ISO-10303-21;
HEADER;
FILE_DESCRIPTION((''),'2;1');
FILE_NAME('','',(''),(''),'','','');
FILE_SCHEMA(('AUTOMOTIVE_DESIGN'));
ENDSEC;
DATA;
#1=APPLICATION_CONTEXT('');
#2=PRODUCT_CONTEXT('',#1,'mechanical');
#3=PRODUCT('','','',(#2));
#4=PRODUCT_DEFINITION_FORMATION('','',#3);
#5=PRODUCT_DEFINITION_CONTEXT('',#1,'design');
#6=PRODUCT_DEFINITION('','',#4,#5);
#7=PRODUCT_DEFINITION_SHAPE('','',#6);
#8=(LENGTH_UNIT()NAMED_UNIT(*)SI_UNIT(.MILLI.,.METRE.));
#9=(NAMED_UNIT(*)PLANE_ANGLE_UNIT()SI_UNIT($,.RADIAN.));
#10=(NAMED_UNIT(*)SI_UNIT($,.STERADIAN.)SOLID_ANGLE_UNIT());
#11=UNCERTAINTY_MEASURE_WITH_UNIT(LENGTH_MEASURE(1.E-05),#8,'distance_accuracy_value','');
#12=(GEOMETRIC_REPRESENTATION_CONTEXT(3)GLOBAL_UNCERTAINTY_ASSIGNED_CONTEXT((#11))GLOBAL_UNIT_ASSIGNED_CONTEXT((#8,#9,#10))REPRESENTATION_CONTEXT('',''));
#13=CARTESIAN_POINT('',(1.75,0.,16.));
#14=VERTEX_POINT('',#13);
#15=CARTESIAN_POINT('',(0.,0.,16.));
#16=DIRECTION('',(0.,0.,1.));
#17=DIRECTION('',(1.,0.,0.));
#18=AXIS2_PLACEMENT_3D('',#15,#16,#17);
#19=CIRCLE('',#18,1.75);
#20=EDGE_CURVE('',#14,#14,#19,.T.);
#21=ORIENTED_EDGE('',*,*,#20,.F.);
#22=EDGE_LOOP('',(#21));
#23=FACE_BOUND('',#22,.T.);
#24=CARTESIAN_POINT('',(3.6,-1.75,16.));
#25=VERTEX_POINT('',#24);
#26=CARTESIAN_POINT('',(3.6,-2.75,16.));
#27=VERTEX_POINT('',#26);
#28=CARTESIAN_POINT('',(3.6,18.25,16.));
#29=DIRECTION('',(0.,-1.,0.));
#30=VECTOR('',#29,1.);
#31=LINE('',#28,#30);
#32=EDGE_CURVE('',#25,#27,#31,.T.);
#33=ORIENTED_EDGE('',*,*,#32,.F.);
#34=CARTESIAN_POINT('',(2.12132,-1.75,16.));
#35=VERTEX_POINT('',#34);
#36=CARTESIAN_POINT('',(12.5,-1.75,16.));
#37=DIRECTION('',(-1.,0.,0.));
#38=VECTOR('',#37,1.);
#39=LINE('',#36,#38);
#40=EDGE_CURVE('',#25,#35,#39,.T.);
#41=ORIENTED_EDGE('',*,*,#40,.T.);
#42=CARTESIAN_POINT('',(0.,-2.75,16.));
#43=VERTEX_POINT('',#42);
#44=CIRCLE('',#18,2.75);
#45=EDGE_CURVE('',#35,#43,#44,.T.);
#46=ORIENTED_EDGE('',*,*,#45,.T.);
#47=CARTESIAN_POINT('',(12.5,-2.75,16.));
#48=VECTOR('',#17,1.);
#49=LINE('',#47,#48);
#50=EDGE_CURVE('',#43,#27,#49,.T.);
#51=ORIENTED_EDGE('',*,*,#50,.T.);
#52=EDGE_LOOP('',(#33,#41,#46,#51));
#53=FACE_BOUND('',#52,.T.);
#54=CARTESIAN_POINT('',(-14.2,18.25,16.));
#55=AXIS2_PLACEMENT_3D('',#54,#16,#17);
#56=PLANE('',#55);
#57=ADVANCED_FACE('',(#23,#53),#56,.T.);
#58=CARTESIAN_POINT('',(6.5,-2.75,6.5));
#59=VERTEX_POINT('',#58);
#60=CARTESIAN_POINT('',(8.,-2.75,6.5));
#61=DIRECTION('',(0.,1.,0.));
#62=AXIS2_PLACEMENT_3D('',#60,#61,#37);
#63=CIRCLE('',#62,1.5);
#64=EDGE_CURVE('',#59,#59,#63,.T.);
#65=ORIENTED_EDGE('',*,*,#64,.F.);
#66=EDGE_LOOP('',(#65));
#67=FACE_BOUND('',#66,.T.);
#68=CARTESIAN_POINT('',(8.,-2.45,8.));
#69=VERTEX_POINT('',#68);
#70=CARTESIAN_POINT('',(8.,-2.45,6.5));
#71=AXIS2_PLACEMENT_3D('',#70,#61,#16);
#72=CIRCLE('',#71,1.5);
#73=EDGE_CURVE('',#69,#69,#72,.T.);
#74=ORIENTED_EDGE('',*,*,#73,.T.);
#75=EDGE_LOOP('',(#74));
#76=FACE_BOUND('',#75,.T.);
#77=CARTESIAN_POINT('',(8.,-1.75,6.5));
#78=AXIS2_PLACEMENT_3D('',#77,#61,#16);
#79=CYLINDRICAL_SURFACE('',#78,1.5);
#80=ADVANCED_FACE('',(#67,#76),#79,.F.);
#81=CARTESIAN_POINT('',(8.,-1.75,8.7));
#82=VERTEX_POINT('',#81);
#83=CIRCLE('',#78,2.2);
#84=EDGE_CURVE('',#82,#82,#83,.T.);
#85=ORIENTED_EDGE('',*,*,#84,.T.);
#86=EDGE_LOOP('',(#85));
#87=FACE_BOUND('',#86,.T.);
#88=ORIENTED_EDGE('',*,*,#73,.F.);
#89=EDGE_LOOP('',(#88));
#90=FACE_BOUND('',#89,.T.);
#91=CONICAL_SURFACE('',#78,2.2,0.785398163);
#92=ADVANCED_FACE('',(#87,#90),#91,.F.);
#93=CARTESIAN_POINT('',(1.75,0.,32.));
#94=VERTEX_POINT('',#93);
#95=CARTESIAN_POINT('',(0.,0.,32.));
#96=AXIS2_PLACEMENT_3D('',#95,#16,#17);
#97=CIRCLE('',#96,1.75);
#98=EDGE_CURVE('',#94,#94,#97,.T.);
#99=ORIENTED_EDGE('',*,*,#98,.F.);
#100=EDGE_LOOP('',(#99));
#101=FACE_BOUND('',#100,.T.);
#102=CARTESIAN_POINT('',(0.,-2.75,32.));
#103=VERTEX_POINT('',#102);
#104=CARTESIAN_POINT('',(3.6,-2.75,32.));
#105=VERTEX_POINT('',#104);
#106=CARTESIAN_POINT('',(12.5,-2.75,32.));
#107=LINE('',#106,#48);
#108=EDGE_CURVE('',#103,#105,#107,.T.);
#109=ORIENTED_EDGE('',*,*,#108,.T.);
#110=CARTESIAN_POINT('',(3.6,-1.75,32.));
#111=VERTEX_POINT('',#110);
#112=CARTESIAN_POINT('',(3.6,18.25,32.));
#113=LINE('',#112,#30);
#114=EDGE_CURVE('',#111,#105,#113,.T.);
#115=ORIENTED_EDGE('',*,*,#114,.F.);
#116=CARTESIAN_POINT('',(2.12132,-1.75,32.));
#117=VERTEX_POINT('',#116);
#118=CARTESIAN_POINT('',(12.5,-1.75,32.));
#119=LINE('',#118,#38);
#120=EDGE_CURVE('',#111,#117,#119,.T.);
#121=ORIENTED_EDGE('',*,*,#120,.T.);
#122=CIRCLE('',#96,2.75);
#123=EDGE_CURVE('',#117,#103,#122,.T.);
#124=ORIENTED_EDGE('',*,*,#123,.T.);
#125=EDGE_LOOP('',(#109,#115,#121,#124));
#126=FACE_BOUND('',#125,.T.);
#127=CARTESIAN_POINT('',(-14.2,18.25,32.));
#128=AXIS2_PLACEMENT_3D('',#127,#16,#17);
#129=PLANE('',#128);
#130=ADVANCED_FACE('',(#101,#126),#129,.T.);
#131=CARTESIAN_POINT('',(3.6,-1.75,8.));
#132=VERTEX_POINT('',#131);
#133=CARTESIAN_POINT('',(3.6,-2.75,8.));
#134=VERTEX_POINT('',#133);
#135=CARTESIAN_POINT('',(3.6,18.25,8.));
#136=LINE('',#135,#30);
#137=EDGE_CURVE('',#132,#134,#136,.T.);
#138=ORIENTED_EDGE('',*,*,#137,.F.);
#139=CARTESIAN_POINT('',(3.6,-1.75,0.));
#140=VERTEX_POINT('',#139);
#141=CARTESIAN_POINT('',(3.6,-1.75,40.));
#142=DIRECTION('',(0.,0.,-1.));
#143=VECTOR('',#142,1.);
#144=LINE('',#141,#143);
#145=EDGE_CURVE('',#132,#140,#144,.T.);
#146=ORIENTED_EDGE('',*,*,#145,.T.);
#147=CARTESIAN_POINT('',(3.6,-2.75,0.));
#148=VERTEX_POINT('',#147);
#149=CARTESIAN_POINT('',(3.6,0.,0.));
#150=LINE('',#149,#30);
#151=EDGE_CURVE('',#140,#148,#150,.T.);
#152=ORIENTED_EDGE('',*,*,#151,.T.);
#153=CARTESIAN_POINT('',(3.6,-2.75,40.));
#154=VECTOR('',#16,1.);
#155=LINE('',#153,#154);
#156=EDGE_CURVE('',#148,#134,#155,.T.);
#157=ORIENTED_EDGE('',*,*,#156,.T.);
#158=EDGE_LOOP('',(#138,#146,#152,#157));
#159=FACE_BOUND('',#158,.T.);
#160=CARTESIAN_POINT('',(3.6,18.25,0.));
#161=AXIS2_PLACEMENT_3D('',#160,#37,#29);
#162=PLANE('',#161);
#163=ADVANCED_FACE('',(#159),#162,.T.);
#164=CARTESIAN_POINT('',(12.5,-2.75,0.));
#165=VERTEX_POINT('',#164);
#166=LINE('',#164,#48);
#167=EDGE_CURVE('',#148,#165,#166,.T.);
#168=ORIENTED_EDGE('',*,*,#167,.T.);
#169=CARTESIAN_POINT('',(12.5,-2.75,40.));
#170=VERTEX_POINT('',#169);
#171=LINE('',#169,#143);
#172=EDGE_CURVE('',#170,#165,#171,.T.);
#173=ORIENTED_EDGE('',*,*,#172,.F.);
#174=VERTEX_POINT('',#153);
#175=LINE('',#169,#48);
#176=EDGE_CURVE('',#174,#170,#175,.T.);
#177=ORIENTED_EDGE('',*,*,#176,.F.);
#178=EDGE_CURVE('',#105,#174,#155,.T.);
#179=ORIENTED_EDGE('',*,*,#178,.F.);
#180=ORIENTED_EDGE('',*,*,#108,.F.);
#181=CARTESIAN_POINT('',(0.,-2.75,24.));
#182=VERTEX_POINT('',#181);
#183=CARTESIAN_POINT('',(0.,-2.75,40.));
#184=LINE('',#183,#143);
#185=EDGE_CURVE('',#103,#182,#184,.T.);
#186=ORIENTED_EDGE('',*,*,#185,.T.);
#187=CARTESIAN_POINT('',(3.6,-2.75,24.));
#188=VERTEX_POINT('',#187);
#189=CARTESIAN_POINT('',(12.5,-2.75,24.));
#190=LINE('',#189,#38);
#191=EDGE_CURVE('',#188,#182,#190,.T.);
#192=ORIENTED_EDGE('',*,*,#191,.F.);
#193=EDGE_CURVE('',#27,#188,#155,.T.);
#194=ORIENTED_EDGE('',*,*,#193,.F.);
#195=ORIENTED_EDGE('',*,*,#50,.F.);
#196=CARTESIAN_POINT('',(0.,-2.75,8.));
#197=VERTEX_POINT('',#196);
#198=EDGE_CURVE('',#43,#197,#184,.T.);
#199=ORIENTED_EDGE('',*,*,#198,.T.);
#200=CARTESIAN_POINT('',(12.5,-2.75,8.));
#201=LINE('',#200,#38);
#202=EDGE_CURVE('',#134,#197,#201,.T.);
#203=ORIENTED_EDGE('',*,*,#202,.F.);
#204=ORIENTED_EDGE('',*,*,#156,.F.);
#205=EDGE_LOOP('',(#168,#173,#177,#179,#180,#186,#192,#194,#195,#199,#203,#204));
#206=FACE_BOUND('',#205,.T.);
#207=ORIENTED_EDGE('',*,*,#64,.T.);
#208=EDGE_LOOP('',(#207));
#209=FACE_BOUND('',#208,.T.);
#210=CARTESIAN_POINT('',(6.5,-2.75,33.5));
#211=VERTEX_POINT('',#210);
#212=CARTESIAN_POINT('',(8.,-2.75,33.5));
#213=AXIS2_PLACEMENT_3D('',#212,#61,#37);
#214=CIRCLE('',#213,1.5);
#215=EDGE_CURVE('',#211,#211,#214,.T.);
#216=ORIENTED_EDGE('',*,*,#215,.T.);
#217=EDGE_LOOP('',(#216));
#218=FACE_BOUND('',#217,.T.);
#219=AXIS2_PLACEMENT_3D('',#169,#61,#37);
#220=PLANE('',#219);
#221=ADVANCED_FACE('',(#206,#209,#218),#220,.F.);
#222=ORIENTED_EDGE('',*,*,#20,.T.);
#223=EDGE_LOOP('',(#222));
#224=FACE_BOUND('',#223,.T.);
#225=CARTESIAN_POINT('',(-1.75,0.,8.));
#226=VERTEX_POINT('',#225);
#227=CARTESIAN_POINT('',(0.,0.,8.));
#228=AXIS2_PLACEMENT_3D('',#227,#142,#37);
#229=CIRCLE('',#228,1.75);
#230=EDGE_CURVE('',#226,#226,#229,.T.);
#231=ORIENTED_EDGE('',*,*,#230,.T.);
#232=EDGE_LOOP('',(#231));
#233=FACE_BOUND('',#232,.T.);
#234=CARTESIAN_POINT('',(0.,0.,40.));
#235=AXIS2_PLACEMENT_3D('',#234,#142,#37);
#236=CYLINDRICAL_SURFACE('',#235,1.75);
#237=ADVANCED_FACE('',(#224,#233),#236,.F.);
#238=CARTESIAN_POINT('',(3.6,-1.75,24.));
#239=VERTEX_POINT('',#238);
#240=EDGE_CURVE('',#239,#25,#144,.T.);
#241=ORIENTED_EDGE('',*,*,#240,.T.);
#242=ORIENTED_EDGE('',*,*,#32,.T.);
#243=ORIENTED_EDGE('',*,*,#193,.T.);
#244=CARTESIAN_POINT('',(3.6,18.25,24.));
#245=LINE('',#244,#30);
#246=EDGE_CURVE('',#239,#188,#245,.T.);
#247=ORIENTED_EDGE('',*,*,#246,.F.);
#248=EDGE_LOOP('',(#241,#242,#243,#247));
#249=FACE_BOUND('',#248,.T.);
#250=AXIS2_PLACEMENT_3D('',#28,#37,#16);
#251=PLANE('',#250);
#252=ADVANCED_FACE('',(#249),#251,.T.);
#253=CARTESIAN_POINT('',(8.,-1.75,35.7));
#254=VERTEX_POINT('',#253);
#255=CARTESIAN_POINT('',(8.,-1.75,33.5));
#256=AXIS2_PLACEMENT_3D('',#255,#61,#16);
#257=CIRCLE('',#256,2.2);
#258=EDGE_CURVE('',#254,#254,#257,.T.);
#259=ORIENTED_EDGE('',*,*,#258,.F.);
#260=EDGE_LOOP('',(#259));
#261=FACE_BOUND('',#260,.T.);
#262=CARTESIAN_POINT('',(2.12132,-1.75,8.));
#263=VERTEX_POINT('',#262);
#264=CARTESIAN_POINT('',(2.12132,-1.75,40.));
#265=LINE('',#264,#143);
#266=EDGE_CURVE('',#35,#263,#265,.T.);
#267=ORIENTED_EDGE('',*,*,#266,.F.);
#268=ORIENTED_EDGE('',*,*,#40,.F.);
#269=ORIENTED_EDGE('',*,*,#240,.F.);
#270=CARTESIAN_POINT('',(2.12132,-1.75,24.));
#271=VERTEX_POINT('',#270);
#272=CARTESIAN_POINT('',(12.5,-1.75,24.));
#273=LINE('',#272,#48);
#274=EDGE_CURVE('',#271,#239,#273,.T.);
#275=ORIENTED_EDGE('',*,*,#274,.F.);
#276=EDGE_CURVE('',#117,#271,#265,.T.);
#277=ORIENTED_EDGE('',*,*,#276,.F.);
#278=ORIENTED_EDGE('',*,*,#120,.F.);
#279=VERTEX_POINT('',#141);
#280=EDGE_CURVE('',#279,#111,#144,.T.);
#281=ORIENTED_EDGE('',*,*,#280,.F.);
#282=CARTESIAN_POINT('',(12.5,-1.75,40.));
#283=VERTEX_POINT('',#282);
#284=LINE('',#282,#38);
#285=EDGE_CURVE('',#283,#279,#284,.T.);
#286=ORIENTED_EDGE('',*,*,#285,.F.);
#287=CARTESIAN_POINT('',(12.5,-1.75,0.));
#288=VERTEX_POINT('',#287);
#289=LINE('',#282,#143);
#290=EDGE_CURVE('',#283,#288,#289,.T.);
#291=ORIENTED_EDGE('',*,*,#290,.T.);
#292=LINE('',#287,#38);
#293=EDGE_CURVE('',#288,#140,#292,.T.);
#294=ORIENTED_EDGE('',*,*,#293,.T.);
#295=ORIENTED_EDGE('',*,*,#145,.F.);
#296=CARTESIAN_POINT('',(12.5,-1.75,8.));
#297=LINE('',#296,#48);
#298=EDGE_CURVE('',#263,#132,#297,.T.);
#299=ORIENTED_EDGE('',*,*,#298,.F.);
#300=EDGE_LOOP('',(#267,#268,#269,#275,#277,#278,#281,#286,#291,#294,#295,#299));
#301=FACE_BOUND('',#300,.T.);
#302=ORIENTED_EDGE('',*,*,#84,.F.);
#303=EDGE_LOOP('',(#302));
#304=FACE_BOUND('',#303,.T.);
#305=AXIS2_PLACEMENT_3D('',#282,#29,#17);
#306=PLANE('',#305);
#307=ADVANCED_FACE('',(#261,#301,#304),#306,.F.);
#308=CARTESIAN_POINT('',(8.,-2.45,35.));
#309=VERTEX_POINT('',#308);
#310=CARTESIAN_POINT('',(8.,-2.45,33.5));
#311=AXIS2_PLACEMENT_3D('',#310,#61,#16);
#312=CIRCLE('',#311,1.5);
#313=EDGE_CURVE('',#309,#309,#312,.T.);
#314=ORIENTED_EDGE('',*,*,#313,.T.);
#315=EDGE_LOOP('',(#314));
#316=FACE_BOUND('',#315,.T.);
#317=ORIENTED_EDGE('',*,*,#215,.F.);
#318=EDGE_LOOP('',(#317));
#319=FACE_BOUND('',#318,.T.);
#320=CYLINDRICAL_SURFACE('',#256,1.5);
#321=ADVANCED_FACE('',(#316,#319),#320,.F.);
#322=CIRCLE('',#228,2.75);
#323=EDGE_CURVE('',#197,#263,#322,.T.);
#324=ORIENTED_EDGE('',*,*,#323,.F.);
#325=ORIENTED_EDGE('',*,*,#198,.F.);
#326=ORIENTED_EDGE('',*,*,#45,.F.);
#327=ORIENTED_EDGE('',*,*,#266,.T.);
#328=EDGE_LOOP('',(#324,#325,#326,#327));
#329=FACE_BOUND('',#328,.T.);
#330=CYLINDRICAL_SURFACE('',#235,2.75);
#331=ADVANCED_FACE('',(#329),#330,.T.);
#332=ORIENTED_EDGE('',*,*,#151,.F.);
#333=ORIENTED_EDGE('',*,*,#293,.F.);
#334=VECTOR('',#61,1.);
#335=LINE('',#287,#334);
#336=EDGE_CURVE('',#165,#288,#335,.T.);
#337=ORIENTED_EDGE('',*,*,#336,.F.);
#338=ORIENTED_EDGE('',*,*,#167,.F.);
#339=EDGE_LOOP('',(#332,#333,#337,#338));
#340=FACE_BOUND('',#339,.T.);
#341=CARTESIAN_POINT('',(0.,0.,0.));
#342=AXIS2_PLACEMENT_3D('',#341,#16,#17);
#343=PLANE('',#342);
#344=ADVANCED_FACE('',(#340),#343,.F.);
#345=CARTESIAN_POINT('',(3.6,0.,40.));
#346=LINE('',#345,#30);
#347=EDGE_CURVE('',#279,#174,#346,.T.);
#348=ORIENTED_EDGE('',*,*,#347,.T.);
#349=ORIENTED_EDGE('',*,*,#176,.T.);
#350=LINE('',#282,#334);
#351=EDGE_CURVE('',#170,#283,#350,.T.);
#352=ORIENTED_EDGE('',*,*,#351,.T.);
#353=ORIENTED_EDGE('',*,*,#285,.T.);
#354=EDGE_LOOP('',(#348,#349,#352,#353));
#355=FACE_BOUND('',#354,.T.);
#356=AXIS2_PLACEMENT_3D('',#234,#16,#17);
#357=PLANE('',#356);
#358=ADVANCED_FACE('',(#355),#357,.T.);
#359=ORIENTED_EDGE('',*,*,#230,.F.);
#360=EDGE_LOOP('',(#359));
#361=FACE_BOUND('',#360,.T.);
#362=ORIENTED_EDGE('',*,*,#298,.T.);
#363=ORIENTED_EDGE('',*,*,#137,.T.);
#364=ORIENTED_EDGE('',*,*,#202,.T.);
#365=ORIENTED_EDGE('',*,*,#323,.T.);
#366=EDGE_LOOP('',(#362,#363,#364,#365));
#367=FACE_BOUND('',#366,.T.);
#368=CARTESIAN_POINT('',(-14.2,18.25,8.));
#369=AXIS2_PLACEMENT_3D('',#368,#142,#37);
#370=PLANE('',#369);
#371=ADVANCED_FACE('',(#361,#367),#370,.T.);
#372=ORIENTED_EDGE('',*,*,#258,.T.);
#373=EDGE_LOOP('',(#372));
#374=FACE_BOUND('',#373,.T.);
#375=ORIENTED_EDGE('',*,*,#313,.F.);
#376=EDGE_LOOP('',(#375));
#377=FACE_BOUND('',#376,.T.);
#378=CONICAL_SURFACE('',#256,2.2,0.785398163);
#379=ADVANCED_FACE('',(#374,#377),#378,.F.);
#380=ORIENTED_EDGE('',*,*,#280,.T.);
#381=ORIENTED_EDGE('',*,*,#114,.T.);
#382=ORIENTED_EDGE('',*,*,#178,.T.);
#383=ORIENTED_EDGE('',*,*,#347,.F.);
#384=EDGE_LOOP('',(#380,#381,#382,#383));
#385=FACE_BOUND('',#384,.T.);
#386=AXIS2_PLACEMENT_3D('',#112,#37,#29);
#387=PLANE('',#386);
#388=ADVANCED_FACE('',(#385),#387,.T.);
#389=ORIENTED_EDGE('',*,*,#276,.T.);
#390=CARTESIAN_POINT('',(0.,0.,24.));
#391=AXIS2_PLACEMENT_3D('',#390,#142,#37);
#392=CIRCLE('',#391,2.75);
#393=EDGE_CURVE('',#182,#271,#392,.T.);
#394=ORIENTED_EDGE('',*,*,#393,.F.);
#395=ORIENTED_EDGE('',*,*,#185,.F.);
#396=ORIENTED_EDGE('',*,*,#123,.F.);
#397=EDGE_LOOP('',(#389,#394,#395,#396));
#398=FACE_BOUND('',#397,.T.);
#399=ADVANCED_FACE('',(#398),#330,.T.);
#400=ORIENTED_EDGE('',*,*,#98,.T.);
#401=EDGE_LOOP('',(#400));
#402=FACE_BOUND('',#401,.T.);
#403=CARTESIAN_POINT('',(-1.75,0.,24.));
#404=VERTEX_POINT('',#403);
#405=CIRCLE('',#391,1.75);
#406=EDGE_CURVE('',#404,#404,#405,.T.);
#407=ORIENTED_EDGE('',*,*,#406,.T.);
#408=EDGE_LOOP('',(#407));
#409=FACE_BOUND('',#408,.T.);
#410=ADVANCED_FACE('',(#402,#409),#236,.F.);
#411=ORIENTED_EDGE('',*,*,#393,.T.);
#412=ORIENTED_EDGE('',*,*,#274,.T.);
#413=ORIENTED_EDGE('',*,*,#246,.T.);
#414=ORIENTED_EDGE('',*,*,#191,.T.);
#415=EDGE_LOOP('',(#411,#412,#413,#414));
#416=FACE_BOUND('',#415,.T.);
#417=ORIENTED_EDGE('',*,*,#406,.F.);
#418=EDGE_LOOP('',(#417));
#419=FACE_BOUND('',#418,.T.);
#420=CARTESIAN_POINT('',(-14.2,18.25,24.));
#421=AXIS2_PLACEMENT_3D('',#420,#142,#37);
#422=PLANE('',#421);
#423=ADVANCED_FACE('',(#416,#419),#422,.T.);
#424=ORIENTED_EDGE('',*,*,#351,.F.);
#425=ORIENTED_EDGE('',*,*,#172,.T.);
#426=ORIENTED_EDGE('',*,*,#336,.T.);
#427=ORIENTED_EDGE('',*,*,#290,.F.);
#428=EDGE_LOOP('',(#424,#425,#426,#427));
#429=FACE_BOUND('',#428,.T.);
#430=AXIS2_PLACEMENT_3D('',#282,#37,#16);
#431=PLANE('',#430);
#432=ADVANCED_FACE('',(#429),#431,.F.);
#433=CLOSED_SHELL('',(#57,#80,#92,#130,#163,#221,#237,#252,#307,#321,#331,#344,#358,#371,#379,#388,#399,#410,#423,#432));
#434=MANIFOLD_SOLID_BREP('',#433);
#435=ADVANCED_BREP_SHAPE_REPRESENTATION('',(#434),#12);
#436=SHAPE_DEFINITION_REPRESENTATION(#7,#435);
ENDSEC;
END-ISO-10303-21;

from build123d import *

# Parameters (mm, degrees)
ESQUISSE1_R                  = 1.75
BOSS_EXTRU_1_DEPTH           = 40
ENL_V_MAT_EXTRU_3_DEPTH      = 20
ENL_V_MAT_EXTRU_3_DEPTH_BACK = 20
ESQUISSE2_W                  = 17.8
ESQUISSE2_H                  = 8
D_GAGEMENT_M31_D             = 3
D_GAGEMENT_M31_DEPTH         = 10
D_GAGEMENT_M31_CSINK_D       = 4.4
D_GAGEMENT_M31_CSINK_ANGLE   = 90
D_GAGEMENT_M31_TIP           = 0.901290929


with BuildPart() as part:
    # Esquisse1 → Boss.-Extru.1 (new body)
    with BuildSketch(Plane.XY):
        with BuildLine():
            Line((12.5, -1.75), (2.121320344, -1.75))
            ThreePointArc((2.121320344, -1.75), (-1.17260394, 2.487468593), (0, -2.75))
            Line((0, -2.75), (12.5, -2.75))
            Line((12.5, -2.75), (12.5, -1.75))
        make_face()
        Circle(ESQUISSE1_R, mode=Mode.SUBTRACT)
    extrude(amount=BOSS_EXTRU_1_DEPTH)

    # Esquisse2 → Enlèv. mat.-Extru.3 (cut, two sides: drawn at the far end of the back side and taken through both)
    with BuildSketch(Plane(origin=(0, -1.75, 0), x_dir=(1, 0, 0), z_dir=(0, 1, 0)).offset(-ENL_V_MAT_EXTRU_3_DEPTH_BACK)):
        with Locations((-5.3, -20)):
            Rectangle(ESQUISSE2_W, ESQUISSE2_H)
        with Locations((-5.3, -36)):
            Rectangle(ESQUISSE2_W, ESQUISSE2_H)
        with Locations((-5.3, -4)):
            Rectangle(ESQUISSE2_W, ESQUISSE2_H)
    extrude(amount=ENL_V_MAT_EXTRU_3_DEPTH + ENL_V_MAT_EXTRU_3_DEPTH_BACK, mode=Mode.SUBTRACT)

    # Dégagement M31
    with Locations(Plane(origin=(0, -1.75, 0), x_dir=(1, 0, 0), z_dir=(0, 1, 0))):
        with Locations((8, -33.5), (8, -6.5)):
            CounterSinkHole(D_GAGEMENT_M31_D / 2, D_GAGEMENT_M31_CSINK_D / 2, depth=D_GAGEMENT_M31_DEPTH, counter_sink_angle=D_GAGEMENT_M31_CSINK_ANGLE)
            with Locations((0, 0, -(D_GAGEMENT_M31_DEPTH + D_GAGEMENT_M31_TIP / 2))):  # 118° drill point
                Cone(0, D_GAGEMENT_M31_D / 2, D_GAGEMENT_M31_TIP, mode=Mode.SUBTRACT)


solid = part.part
